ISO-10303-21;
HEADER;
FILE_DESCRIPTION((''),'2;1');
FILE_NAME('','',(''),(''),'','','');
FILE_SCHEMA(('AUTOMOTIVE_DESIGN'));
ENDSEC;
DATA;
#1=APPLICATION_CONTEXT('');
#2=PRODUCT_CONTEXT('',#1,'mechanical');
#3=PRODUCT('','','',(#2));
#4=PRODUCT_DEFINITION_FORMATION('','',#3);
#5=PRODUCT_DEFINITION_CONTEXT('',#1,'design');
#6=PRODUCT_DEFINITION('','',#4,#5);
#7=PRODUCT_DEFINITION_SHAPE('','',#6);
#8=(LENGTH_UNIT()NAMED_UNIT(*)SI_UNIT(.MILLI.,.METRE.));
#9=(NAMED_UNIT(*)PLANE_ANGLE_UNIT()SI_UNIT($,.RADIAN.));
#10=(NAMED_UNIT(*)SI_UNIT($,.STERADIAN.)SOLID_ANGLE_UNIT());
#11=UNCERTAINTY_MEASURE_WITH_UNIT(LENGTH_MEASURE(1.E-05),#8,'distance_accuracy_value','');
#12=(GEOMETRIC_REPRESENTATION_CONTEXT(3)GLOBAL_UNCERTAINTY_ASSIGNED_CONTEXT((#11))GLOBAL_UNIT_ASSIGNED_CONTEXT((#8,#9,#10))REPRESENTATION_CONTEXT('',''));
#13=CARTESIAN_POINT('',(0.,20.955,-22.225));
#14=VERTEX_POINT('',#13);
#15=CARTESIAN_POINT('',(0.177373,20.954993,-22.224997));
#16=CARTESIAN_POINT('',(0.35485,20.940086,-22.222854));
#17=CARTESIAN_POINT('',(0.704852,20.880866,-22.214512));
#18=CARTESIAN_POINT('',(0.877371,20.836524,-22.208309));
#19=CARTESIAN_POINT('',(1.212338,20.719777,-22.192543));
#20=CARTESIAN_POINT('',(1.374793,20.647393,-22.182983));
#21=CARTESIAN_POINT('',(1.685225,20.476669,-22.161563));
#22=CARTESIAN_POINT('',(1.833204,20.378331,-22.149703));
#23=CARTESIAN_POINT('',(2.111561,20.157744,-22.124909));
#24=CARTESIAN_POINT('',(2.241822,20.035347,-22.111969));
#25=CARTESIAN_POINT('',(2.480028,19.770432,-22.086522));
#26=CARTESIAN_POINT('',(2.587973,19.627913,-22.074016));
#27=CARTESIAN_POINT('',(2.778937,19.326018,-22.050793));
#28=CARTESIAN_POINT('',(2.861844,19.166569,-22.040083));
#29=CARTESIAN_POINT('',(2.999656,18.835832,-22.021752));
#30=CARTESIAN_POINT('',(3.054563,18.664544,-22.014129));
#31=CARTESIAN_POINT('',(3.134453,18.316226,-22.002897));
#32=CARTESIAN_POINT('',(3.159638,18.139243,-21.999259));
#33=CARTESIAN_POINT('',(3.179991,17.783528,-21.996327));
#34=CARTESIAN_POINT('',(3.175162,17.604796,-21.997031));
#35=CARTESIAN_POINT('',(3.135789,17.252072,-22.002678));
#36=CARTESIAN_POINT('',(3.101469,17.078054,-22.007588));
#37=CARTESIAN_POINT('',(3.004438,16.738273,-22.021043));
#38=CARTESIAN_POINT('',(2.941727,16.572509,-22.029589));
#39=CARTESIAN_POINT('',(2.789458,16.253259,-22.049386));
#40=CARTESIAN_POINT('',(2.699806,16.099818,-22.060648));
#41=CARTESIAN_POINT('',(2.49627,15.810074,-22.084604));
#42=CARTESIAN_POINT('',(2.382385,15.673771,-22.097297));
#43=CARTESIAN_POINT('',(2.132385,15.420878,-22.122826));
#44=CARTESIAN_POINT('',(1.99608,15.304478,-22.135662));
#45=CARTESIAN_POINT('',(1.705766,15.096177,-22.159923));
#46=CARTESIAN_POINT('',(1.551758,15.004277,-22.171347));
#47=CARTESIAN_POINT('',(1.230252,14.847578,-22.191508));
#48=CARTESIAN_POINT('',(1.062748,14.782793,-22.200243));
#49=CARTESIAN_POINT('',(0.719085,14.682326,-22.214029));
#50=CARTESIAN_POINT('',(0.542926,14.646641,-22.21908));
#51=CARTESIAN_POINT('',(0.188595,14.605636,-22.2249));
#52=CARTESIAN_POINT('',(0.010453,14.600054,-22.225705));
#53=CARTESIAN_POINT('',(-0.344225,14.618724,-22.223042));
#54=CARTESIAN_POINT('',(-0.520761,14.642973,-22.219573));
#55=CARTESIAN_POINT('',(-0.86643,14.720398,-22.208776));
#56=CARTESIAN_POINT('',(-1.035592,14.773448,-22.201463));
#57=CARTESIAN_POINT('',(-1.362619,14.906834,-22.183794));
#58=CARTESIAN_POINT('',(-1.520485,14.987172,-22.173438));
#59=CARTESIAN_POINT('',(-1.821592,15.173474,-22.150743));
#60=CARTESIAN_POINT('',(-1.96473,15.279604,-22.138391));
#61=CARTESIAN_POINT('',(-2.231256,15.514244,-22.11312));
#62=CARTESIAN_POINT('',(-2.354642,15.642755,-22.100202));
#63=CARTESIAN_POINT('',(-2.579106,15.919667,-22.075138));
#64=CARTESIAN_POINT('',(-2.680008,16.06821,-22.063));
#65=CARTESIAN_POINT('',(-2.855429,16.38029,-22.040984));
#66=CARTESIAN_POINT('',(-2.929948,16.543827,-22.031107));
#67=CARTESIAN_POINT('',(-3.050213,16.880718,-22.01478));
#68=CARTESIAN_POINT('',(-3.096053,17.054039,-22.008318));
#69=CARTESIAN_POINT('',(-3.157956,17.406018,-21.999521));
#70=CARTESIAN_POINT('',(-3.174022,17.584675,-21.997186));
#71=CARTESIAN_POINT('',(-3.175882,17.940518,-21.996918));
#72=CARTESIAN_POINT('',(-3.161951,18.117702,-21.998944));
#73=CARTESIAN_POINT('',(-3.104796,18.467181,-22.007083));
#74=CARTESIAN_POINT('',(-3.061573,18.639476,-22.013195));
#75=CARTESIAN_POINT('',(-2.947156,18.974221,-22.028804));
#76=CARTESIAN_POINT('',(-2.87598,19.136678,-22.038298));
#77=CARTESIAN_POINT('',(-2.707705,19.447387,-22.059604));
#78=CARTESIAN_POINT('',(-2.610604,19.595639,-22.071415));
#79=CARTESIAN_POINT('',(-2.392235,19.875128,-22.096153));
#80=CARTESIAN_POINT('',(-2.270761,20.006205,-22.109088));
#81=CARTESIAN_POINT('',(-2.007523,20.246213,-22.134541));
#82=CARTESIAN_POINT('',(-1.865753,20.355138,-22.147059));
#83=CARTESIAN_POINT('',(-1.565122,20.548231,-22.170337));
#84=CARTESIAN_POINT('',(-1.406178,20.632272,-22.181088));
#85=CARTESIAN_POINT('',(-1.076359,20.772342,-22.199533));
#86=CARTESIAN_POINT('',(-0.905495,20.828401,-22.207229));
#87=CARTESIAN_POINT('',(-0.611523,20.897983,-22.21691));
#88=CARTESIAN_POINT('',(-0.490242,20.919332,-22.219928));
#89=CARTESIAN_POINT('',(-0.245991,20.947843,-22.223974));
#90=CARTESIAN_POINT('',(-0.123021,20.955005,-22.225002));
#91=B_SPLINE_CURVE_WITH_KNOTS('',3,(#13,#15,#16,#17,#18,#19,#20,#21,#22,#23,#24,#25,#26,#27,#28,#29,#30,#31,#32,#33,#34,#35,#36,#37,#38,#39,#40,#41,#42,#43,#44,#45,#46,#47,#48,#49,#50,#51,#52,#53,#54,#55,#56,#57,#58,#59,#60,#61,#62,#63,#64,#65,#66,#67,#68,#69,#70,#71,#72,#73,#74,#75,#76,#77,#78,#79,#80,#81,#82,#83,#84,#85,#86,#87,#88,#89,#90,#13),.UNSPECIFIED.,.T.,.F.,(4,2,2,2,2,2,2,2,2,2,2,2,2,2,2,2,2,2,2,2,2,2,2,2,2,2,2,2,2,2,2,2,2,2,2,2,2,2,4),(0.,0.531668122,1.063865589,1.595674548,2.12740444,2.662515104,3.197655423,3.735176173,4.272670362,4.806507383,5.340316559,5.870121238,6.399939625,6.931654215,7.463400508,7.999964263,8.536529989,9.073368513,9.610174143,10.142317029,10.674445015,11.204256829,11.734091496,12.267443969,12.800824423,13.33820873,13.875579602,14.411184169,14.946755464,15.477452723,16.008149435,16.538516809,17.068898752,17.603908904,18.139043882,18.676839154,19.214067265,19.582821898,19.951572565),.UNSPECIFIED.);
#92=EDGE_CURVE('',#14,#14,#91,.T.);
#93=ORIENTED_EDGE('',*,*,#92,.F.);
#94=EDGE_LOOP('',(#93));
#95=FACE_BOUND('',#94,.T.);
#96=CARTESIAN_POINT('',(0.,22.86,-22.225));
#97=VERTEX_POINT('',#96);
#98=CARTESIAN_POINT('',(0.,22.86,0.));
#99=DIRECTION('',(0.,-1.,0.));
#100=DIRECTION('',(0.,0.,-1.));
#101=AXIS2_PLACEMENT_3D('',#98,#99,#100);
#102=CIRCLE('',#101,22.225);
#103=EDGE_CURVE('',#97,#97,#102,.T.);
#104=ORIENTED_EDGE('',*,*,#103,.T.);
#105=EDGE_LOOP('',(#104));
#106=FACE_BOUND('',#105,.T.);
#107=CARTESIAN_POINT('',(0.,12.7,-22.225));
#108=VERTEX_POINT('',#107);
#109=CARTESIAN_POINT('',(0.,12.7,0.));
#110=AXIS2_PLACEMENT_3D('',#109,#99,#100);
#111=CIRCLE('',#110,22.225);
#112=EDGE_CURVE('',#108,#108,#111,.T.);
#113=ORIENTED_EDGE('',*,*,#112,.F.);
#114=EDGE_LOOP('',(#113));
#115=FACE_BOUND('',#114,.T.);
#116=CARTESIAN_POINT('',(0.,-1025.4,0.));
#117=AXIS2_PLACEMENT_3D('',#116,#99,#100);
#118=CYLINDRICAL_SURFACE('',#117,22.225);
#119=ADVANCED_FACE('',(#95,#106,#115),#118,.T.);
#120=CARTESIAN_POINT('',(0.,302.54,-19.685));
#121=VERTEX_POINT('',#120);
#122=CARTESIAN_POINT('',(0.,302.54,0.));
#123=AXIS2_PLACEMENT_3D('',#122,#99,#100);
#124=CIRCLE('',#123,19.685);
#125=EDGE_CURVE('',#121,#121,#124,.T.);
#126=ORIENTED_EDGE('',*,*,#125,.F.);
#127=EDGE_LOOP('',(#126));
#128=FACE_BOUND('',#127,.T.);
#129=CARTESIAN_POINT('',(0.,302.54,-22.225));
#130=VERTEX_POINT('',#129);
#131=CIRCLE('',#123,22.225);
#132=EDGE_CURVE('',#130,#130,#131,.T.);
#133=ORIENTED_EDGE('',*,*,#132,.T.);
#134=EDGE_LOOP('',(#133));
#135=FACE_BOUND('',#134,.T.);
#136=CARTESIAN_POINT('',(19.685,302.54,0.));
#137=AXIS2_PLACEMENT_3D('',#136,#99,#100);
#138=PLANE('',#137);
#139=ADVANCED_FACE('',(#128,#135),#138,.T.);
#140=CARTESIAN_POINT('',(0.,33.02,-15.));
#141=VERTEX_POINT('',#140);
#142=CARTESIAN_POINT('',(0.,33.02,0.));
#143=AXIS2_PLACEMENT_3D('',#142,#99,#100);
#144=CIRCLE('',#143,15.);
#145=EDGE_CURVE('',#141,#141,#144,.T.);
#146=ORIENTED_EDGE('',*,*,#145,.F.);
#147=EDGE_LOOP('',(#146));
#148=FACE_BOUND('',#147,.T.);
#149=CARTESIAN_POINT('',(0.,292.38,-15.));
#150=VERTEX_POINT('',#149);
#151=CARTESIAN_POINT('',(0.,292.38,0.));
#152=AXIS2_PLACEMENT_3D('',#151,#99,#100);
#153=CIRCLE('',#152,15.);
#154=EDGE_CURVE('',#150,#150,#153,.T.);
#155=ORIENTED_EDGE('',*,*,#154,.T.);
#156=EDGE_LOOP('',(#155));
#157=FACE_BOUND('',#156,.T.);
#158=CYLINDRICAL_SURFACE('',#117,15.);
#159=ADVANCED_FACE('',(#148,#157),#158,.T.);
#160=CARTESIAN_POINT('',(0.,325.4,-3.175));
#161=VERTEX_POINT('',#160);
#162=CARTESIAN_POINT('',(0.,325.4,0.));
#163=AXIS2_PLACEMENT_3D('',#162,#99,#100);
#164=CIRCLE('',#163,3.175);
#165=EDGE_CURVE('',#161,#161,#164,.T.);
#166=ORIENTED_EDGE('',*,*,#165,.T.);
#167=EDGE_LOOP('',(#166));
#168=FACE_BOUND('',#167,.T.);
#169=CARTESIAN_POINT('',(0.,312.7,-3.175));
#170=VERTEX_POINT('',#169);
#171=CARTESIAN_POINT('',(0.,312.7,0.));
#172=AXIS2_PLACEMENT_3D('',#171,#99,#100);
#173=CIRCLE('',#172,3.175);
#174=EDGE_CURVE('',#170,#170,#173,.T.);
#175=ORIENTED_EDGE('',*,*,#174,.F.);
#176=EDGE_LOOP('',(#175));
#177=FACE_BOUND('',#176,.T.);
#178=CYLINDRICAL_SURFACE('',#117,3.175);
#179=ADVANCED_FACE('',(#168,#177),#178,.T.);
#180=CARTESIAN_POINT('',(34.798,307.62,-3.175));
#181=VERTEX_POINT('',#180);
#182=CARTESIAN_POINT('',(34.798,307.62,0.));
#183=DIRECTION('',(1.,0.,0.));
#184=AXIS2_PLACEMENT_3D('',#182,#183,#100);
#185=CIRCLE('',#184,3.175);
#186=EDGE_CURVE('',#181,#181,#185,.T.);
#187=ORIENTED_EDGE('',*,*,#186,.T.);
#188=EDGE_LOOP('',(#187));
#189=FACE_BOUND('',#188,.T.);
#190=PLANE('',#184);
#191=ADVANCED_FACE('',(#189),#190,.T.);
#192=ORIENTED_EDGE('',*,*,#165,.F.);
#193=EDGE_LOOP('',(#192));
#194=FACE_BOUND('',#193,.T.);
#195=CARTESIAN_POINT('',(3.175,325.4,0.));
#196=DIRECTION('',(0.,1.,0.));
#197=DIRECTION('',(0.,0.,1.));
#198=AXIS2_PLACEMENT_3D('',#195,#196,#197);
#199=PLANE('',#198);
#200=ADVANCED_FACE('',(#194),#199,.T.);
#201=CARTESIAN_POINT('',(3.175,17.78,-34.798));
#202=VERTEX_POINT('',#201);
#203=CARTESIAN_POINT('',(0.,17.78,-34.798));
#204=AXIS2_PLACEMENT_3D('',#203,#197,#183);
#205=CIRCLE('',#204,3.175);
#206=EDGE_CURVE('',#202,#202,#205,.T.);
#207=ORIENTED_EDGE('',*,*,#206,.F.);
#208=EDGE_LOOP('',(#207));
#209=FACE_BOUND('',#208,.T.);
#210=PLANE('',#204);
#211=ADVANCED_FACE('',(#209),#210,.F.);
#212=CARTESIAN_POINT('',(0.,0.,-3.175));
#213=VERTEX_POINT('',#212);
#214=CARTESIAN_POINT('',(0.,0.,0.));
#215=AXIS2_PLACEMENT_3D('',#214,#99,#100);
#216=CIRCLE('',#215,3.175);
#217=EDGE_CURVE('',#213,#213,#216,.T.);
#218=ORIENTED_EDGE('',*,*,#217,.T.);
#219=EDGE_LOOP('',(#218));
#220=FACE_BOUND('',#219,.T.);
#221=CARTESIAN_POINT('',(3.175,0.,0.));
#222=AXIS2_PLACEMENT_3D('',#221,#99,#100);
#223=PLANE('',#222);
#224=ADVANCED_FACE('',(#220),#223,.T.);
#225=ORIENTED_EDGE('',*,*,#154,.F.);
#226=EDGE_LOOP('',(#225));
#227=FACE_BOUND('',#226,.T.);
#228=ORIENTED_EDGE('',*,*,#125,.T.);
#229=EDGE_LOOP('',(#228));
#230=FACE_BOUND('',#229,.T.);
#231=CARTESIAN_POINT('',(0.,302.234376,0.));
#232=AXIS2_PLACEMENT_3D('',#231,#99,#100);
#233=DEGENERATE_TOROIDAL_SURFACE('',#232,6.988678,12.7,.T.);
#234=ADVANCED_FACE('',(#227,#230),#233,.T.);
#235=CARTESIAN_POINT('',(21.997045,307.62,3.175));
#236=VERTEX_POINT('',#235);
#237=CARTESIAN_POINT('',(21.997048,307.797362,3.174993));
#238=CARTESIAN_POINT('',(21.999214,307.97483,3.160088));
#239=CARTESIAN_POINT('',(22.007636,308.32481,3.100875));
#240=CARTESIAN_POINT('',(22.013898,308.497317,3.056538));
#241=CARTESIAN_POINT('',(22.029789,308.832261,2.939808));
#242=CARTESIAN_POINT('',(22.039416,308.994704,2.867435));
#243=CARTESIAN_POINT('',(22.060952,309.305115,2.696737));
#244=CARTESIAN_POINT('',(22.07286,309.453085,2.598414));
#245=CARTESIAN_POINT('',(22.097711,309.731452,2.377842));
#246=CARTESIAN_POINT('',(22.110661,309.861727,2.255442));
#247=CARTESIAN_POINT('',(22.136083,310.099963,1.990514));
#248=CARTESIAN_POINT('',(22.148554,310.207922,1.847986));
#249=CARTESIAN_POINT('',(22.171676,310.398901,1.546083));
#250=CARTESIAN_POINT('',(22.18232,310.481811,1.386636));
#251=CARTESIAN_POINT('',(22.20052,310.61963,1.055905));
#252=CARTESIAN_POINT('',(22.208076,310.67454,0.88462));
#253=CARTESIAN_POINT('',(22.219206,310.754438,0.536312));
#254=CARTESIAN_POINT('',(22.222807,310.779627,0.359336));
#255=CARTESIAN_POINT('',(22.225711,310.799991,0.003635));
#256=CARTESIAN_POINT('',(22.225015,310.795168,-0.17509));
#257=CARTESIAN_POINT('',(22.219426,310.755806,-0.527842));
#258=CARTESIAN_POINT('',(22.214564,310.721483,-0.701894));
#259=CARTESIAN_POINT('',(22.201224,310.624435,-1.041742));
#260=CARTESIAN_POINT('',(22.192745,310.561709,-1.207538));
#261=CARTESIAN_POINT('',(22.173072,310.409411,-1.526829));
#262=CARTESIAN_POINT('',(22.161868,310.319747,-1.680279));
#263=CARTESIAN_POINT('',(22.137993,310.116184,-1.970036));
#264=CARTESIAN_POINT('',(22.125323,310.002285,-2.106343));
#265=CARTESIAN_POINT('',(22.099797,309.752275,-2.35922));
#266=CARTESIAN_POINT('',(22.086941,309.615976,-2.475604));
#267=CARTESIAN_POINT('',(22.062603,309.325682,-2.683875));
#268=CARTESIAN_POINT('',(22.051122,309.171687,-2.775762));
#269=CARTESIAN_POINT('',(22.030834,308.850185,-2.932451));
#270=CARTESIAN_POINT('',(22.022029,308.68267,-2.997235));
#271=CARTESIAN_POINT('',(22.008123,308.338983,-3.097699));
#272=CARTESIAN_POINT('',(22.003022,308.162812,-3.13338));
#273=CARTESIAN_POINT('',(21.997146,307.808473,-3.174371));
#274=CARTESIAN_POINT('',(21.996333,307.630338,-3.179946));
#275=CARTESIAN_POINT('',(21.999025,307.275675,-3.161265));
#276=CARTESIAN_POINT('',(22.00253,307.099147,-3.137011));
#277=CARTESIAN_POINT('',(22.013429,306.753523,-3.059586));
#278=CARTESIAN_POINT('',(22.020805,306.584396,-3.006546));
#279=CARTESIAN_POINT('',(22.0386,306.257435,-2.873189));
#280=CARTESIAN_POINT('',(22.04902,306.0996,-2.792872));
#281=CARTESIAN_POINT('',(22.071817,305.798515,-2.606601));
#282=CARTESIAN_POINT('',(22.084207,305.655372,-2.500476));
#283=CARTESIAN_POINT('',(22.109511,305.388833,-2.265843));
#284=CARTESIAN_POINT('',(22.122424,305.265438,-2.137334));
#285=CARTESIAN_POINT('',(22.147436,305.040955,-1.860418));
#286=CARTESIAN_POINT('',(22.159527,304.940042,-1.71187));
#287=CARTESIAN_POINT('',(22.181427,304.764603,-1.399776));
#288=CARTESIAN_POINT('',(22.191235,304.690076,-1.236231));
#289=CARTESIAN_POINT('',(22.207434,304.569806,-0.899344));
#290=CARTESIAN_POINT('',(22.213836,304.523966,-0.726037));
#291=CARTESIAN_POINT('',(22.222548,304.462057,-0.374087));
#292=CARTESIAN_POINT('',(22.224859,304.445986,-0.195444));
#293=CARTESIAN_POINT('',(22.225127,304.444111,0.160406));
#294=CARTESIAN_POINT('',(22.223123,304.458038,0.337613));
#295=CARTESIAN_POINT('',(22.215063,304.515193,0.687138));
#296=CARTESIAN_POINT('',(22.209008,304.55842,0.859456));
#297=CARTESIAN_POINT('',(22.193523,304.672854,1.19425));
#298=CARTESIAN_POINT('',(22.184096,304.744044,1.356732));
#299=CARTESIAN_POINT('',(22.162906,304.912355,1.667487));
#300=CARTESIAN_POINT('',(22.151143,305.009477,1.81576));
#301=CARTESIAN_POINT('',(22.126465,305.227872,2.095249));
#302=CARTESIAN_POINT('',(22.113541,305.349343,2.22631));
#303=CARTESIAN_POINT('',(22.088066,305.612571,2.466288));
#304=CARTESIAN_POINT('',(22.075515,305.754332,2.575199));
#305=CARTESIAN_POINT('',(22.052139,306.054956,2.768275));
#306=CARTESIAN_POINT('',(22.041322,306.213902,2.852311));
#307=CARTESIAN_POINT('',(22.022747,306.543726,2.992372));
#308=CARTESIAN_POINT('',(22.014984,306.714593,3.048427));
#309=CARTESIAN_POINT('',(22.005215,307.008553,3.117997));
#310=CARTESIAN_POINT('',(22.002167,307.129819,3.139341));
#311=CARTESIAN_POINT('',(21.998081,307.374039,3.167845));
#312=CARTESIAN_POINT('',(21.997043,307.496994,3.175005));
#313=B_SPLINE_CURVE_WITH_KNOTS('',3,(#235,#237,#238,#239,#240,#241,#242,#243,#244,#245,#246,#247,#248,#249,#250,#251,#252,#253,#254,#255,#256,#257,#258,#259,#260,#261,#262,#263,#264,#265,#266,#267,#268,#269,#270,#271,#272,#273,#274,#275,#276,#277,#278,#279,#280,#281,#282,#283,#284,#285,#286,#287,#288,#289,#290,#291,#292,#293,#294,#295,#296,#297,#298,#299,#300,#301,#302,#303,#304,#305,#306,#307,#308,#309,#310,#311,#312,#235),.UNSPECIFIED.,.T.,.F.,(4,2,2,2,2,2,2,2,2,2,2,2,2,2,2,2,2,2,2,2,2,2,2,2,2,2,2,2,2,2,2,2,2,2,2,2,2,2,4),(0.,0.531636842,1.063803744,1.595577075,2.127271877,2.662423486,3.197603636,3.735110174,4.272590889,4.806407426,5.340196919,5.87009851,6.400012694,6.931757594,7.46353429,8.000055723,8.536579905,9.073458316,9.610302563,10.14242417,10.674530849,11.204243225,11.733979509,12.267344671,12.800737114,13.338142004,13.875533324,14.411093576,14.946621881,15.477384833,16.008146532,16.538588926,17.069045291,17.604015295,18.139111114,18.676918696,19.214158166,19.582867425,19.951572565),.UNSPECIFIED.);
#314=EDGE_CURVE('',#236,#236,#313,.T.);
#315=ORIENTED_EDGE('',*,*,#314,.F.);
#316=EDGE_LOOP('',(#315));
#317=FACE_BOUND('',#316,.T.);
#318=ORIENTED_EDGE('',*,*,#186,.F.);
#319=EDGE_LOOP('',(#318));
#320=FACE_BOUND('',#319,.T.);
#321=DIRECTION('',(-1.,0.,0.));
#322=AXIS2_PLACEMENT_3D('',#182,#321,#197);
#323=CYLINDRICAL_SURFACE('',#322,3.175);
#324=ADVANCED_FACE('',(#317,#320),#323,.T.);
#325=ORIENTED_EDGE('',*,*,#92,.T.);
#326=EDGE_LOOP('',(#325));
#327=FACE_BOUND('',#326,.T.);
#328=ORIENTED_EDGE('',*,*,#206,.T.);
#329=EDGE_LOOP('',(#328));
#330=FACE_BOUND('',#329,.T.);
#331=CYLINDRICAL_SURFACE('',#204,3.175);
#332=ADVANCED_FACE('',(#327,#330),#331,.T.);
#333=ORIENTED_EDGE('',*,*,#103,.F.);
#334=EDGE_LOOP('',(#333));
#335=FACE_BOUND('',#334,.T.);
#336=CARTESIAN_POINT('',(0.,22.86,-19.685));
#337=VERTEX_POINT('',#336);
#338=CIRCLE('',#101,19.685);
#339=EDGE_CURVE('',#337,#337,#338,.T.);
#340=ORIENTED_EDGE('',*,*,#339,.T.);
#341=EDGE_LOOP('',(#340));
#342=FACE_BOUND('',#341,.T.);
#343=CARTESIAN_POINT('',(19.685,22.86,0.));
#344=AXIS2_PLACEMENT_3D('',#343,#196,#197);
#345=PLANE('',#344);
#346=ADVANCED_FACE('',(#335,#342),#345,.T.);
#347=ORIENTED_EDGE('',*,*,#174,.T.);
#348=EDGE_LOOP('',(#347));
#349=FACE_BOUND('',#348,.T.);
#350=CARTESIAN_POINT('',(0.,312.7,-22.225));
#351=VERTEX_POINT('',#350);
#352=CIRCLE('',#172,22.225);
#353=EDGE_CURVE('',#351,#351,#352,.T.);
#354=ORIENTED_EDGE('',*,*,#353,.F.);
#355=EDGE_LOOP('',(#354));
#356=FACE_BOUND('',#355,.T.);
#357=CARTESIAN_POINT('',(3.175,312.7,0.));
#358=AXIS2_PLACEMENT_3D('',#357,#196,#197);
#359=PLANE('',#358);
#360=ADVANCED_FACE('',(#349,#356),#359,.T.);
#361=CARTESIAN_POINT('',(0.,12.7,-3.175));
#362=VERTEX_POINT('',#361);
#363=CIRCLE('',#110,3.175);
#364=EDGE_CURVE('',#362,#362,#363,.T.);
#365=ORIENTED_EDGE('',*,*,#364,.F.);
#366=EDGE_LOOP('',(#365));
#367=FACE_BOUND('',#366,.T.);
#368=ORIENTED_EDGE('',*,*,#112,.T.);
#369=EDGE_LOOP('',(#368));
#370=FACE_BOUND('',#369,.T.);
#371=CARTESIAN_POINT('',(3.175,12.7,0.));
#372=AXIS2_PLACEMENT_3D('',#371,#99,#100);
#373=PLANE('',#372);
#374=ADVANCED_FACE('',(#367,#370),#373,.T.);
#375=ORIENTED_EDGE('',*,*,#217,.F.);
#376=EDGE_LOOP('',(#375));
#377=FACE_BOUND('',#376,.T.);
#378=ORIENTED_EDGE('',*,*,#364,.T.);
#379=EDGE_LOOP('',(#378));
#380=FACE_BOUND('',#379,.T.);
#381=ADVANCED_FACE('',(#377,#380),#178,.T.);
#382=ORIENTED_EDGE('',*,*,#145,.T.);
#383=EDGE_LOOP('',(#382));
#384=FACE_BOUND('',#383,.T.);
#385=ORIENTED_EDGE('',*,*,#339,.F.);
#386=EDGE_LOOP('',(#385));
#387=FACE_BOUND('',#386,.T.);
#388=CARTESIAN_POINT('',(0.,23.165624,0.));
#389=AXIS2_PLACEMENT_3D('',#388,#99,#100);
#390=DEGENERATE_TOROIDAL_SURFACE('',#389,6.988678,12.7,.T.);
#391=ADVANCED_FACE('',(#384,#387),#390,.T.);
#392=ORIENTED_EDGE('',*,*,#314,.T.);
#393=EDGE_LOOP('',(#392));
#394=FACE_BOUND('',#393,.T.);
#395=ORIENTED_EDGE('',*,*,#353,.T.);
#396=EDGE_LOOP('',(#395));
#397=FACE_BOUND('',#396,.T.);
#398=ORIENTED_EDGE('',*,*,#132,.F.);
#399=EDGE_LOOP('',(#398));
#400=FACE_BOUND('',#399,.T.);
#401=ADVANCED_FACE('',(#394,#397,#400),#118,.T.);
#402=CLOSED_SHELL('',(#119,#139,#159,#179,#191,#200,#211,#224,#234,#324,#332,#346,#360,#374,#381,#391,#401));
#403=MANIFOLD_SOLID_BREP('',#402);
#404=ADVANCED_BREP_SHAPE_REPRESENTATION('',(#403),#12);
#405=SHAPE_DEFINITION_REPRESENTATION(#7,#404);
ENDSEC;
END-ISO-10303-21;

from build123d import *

# Parameters (mm, degrees)
SKETCH2_R           = 3.175
BOSS_EXTRUDE1_DEPTH = 34.798
SKETCH3_R           = 3.175
BOSS_EXTRUDE2_DEPTH = 34.798


with BuildPart() as part:
    # Sketch1 → Revolve1 (revolve)
    with BuildSketch(Plane.XY, mode=Mode.PRIVATE) as revolve1_sk:
        with BuildLine():
            Line((15, 33.02), (15, 292.38))
            ThreePointArc((15, 292.38), (18.521588729, 296.916296192), (19.685, 302.54))
            Line((19.685, 302.54), (22.225, 302.54))
            Line((22.225, 302.54), (22.225, 312.7))
            Line((22.225, 312.7), (3.175, 312.7))
            Line((3.175, 312.7), (3.175, 325.4))
            Line((3.175, 325.4), (0, 325.4))
            Line((0, 325.4), (0, 0))
            Line((0, 0), (3.175, 0))
            Line((3.175, 0), (3.175, 12.7))
            Line((3.175, 12.7), (22.225, 12.7))
            Line((22.225, 12.7), (22.225, 22.86))
            Line((22.225, 22.86), (19.685, 22.86))
            ThreePointArc((19.685, 22.86), (18.521588729, 28.483703808), (15, 33.02))
        make_face()
    revolve(revolve1_sk.sketch.rotate(Axis((0, -1025.4, 0), (0, 1, 0)), 90), axis=Axis((0, -1025.4, 0), (0, 1, 0)))

    # Sketch2 → Boss-Extrude1 (add)
    with BuildSketch(Plane(origin=(0, 0, 0), x_dir=(0, 0, -1), z_dir=(1, 0, 0))):
        with Locations(Location((0, 307.62, 0), (0, 0, 180))):
            Circle(SKETCH2_R)
    extrude(amount=BOSS_EXTRUDE1_DEPTH)

    # Sketch3 → Boss-Extrude2 (add)
    with BuildSketch(Plane.XY):
        with Locations((0, 17.78)):
            Circle(SKETCH3_R)
    extrude(amount=-BOSS_EXTRUDE2_DEPTH)


solid = part.part
